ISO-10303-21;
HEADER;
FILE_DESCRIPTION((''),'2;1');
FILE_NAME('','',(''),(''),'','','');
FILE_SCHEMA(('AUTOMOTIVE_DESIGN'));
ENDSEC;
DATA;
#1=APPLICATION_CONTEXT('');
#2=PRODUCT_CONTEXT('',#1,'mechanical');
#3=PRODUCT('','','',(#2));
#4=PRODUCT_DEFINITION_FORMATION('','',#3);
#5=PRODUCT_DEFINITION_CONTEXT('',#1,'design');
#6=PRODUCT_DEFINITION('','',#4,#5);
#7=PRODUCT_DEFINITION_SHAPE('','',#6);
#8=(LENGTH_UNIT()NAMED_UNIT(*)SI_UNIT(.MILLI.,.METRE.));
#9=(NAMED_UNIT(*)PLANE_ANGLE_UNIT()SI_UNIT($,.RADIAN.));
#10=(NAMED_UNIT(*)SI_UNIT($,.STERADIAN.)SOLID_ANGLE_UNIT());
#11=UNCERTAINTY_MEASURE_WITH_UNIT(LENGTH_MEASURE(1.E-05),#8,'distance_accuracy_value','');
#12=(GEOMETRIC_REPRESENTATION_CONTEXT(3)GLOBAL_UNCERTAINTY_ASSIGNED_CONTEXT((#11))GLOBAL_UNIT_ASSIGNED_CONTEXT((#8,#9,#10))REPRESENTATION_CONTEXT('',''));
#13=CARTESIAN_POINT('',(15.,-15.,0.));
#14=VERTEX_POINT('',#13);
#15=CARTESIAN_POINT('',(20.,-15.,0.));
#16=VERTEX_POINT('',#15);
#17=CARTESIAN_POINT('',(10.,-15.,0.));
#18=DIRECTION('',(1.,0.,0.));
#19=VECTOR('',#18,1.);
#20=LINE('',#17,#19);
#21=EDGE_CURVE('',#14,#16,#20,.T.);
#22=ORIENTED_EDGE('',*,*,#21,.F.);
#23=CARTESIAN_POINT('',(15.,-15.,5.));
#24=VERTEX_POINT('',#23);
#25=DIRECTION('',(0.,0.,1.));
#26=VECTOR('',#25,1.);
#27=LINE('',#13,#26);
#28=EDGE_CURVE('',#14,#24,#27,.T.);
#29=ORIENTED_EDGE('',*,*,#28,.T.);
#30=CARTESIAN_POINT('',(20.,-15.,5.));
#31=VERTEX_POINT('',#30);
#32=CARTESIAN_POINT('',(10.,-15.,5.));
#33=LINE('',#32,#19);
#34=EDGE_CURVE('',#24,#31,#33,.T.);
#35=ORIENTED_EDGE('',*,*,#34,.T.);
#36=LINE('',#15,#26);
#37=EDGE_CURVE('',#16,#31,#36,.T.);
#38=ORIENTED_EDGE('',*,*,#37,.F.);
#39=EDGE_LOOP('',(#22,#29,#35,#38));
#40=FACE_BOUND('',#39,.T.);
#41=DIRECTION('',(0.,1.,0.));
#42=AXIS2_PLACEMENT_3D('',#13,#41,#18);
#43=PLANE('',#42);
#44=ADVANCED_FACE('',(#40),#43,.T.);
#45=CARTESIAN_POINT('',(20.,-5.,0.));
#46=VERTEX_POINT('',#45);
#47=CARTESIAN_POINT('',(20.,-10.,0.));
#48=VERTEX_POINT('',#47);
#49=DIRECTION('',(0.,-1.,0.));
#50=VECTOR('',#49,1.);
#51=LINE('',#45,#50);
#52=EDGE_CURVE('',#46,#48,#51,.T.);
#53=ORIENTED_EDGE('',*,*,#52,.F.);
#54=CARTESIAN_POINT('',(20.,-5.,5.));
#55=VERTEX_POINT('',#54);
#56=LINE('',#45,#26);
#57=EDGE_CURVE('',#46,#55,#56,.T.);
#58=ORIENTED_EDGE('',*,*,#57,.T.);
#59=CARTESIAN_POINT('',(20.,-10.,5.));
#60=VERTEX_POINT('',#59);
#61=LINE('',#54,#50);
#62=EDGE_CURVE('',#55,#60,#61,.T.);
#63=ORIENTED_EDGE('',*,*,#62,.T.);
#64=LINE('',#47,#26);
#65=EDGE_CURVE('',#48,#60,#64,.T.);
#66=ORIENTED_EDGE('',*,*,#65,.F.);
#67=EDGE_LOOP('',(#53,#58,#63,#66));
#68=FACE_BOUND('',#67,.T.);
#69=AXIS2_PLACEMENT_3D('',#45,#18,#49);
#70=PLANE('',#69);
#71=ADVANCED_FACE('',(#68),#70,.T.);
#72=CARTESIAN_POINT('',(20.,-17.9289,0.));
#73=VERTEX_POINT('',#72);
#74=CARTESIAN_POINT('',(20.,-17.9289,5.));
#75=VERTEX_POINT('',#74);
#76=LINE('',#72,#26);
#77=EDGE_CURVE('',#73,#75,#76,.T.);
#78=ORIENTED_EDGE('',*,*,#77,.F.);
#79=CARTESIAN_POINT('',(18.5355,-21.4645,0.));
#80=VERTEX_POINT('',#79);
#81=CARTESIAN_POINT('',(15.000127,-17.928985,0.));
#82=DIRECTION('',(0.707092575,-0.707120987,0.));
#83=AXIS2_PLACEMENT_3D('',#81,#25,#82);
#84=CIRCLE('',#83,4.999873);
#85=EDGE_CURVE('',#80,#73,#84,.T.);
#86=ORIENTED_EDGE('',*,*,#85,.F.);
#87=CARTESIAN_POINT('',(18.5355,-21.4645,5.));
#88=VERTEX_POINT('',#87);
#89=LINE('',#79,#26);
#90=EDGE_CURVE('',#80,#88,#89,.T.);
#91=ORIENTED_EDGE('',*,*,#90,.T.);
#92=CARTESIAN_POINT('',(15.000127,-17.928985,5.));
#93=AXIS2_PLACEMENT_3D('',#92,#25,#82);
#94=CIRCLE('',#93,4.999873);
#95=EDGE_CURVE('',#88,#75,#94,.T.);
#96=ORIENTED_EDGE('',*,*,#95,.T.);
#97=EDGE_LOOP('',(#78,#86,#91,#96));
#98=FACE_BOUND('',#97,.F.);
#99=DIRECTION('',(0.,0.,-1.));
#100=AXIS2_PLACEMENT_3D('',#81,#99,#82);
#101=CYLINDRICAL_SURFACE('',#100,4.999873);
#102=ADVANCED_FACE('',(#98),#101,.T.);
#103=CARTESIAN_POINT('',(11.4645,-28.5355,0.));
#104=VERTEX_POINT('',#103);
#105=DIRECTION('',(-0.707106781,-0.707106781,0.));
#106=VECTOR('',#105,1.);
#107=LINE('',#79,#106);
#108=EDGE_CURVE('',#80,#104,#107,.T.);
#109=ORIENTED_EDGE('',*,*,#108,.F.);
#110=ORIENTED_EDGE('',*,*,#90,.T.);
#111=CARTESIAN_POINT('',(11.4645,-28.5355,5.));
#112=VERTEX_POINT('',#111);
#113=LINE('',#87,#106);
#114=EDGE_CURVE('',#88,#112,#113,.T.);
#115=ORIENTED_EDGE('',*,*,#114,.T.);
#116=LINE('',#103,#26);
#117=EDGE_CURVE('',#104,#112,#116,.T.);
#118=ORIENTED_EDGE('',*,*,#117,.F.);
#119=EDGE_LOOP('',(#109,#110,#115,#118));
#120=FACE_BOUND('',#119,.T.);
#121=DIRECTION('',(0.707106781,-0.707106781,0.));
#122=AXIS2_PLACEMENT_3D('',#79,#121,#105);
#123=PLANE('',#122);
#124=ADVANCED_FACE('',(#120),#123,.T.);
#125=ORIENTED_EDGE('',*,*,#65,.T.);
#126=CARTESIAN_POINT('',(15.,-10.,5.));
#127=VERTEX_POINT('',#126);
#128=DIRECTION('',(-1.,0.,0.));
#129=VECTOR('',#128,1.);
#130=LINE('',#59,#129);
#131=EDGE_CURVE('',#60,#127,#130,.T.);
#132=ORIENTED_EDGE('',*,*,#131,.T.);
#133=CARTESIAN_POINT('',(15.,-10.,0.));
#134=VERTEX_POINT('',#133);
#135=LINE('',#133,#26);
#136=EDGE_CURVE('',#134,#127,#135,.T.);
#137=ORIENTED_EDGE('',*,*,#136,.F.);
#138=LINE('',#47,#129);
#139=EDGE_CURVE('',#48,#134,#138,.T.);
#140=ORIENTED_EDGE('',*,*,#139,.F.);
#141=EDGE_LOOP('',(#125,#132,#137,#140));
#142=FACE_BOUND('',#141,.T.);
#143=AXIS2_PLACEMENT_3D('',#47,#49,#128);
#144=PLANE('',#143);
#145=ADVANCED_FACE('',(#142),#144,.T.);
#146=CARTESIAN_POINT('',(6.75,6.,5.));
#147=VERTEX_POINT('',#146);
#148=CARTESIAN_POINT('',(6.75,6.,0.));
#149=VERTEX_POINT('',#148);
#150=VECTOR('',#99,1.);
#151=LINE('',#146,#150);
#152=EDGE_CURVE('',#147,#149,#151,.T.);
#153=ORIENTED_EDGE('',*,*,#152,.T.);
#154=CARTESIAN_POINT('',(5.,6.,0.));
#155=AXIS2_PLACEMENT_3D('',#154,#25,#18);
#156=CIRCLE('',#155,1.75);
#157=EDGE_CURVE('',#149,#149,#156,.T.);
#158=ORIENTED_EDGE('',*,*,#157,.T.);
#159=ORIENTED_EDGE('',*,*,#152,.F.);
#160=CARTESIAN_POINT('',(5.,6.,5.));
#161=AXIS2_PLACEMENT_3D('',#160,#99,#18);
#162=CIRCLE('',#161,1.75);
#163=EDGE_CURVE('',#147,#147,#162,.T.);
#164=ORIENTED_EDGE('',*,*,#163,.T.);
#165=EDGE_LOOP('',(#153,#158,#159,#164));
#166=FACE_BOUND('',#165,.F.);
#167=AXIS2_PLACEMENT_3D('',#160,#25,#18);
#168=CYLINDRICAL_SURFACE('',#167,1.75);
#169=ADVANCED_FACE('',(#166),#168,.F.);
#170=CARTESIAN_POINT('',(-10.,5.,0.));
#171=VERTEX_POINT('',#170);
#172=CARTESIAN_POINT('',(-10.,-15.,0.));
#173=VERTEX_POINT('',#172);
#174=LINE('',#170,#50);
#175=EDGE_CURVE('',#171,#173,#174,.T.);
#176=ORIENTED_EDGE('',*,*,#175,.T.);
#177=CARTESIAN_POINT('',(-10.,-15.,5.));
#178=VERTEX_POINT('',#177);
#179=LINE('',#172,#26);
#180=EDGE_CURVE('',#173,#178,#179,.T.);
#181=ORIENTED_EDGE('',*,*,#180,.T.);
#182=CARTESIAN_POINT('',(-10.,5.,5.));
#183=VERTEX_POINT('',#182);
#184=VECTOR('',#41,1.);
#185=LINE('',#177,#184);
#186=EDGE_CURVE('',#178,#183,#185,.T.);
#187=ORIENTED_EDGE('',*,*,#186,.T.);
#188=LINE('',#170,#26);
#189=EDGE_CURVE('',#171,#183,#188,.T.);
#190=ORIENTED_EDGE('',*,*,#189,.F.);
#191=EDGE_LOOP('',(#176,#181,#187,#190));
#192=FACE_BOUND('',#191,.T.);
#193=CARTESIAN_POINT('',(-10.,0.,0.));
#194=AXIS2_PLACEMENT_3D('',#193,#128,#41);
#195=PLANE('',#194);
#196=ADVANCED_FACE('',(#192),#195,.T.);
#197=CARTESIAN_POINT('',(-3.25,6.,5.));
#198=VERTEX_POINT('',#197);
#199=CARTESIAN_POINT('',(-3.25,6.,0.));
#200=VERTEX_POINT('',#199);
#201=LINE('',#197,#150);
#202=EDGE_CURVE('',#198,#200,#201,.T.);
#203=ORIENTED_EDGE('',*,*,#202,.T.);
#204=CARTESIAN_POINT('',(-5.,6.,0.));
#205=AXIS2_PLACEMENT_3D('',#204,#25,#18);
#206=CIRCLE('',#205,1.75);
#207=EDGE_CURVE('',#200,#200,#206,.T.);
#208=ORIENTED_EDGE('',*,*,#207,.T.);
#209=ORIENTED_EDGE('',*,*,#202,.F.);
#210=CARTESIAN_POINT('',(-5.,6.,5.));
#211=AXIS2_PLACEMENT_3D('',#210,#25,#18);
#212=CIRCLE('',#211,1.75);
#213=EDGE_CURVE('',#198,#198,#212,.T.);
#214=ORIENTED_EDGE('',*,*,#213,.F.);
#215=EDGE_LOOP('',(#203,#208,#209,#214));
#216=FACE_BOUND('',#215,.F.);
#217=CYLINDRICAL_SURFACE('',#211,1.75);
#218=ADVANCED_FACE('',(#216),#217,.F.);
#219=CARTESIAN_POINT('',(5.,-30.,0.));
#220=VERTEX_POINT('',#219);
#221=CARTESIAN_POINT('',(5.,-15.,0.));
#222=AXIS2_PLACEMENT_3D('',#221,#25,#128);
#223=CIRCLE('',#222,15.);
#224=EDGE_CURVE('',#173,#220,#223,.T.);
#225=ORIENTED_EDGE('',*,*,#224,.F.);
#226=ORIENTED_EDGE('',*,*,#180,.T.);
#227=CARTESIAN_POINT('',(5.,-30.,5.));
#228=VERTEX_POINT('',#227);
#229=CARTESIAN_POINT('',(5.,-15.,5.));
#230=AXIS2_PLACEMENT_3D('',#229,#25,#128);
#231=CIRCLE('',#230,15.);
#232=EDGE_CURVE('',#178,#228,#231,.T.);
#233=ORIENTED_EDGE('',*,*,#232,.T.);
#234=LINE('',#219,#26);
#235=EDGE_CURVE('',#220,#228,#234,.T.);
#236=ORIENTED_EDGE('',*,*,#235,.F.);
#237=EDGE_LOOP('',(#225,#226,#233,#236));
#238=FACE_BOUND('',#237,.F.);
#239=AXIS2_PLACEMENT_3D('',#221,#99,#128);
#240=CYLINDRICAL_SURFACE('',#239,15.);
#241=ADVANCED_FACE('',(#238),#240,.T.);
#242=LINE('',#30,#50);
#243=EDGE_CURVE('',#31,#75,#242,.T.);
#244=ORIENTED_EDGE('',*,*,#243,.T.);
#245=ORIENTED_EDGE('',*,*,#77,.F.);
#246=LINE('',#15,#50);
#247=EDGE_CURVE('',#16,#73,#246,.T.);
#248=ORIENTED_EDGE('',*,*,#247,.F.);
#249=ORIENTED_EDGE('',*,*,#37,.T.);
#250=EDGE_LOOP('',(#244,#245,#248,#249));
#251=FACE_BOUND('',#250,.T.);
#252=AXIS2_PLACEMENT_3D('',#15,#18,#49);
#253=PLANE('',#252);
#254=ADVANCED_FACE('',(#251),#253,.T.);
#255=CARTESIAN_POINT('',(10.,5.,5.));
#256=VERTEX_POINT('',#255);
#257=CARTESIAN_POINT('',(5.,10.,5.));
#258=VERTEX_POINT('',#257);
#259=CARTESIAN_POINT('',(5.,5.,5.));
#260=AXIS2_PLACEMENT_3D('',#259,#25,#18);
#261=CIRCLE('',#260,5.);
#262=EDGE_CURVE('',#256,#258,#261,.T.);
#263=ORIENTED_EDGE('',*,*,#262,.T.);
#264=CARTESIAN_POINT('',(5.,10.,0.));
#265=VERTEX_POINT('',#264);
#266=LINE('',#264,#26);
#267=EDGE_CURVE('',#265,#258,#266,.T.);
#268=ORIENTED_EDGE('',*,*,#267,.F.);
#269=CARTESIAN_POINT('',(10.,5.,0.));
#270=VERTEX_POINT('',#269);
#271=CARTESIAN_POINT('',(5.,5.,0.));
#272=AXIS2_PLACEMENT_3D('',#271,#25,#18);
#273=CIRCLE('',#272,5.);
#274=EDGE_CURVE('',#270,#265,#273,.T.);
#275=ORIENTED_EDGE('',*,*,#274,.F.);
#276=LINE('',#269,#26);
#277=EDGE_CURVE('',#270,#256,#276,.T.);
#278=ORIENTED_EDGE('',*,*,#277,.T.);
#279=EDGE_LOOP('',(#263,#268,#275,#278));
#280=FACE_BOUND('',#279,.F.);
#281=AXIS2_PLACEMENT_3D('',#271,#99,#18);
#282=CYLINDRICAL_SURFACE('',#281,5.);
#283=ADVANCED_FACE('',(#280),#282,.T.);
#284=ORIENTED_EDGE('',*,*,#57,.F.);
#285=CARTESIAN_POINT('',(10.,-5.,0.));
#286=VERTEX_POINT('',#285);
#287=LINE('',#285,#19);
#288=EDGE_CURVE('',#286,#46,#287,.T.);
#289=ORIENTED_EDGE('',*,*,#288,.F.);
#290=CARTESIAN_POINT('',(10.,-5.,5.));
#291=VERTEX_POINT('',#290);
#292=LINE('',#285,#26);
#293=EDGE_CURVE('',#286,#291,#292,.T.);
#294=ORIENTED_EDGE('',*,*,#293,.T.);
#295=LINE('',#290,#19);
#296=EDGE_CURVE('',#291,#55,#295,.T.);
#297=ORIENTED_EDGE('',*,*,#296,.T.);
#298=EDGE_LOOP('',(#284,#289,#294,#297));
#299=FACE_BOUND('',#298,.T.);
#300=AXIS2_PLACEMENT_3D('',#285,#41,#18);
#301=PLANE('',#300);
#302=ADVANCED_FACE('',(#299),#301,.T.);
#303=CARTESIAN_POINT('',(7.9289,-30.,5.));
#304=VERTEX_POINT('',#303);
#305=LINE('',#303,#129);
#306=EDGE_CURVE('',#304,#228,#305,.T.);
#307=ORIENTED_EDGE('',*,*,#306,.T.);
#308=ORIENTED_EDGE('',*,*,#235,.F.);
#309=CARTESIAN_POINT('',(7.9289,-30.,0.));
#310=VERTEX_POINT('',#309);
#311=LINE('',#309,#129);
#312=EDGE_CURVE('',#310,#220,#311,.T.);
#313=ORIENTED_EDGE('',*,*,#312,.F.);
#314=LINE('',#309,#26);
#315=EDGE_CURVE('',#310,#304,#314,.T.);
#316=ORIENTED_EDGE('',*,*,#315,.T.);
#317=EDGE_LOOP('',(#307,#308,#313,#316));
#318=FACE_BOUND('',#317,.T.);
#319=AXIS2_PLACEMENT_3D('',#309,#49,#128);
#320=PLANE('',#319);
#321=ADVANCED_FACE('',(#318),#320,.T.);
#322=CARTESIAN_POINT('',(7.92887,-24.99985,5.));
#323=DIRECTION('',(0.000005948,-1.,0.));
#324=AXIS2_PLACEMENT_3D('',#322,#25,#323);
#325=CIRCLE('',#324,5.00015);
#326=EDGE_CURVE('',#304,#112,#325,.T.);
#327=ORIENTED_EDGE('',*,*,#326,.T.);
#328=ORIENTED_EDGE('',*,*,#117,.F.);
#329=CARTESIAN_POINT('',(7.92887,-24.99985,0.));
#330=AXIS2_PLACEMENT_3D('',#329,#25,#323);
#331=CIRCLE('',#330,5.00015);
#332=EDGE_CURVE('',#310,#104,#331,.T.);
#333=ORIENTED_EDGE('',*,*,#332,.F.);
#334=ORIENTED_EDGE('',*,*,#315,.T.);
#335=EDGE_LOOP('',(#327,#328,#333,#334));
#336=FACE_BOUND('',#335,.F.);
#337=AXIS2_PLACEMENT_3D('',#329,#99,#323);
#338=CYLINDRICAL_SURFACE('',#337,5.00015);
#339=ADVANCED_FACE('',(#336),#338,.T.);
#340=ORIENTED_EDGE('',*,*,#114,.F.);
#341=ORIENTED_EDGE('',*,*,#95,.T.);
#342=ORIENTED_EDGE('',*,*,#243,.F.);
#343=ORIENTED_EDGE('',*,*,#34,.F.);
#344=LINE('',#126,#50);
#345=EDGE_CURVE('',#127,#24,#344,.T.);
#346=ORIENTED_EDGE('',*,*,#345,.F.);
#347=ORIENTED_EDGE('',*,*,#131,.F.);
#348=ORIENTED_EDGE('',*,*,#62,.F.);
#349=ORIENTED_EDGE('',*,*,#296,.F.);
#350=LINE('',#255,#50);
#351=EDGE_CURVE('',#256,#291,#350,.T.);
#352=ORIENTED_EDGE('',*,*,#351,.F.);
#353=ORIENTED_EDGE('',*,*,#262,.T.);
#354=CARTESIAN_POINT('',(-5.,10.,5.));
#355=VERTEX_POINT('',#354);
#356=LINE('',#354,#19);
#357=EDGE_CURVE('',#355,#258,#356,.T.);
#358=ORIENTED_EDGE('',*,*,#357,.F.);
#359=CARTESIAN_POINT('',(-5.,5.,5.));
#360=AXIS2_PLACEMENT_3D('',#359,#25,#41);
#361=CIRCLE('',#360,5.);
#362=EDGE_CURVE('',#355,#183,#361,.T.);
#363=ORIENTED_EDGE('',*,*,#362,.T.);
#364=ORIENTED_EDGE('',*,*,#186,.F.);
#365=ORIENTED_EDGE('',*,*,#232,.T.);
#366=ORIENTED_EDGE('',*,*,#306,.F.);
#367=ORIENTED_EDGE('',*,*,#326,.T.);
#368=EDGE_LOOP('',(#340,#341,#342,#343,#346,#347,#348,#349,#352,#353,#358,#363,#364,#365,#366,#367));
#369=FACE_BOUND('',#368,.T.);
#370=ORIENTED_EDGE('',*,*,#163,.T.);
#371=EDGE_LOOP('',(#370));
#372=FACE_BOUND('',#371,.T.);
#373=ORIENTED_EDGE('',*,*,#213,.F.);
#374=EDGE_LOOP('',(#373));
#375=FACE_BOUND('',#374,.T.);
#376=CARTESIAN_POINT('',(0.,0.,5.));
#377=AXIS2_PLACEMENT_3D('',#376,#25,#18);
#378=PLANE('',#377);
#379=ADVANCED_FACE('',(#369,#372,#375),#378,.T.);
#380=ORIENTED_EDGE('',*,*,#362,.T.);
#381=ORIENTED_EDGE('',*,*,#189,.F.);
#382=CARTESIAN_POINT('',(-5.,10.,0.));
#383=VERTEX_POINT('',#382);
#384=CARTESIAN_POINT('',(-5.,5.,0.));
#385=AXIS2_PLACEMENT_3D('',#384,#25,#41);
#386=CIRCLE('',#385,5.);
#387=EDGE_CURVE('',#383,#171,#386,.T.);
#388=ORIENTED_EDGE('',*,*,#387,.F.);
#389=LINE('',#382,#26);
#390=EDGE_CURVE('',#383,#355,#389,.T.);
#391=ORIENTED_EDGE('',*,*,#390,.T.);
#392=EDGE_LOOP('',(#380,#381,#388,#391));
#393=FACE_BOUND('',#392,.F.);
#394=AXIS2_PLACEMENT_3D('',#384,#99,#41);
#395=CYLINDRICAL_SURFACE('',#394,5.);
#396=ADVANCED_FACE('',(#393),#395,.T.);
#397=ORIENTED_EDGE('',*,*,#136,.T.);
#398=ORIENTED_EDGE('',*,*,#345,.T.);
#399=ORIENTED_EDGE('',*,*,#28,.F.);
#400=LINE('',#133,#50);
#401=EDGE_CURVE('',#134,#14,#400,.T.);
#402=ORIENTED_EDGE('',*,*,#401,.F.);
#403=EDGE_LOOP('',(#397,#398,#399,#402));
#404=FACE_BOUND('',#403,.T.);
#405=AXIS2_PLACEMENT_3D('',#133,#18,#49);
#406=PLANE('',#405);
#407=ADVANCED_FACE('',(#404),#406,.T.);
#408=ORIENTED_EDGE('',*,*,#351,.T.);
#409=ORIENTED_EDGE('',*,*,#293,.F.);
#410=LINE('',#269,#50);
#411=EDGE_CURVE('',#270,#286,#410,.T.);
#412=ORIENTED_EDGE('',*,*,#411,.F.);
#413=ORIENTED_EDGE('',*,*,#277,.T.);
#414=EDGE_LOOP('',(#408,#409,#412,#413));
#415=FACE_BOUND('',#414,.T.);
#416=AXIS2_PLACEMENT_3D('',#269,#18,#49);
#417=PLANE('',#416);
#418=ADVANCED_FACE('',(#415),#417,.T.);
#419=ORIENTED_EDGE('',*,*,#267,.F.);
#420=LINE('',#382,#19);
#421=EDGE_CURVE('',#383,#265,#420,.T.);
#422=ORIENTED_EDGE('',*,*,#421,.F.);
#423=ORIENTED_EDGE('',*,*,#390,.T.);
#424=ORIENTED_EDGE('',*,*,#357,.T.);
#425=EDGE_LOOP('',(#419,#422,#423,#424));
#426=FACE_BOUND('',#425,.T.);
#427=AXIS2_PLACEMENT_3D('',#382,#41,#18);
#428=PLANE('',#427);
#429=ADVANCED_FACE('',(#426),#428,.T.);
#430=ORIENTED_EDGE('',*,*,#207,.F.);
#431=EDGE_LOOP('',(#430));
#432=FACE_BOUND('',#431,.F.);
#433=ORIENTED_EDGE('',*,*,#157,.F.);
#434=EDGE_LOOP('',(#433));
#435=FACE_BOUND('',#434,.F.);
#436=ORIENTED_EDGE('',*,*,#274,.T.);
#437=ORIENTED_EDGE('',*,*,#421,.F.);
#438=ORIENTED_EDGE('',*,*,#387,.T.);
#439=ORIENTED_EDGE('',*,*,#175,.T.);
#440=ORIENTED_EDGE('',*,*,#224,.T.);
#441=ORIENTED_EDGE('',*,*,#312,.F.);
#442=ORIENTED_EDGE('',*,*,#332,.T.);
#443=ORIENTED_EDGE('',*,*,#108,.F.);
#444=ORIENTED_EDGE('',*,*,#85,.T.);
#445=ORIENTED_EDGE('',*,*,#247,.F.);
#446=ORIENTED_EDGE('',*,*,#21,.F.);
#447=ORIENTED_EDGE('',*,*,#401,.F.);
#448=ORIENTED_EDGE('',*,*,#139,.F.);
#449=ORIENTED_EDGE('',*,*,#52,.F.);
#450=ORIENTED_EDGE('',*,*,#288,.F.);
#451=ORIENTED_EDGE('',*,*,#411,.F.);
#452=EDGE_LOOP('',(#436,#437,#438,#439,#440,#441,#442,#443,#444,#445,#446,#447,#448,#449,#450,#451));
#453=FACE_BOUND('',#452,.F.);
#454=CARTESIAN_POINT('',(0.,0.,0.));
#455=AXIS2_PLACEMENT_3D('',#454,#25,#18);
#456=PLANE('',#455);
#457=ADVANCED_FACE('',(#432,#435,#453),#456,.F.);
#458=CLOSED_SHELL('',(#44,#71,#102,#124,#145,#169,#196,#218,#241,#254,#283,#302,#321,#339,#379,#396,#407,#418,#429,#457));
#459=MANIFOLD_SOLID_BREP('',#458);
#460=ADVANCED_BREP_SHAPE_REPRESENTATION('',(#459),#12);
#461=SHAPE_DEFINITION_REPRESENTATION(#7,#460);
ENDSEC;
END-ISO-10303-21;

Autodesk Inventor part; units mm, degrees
ref_plane "YZ Plane" through (0, 0, 0) normal (1, 0, 0) x (0, 1, 0)
ref_plane "XZ Plane" through (0, 0, 0) normal (0, 1, 0) x (-1, 0, 0)
ref_plane "XY Plane" through (0, 0, 0) normal (0, 0, 1) x (1, 0, 0)
sketch "Sketch1" plane through (0, 0, 0) normal (0, 0, 1) x (1, 0, 0)
  line L0 (0, 0) -> (-10, 0)
  line L1 (-10, 0) -> (-10, 5)
  line L2 (-5, 10) -> (5, 10)
  line L3 (10, 5) -> (10, -5)
  line L4 (10, -5) -> (20, -5)
  line L5 (20, -5) -> (20, -10)
  line L6 (20, -10) -> (10, -10)
  line L7 (10, -10) -> (10, -15)
  line L8 (10, -15) -> (20, -15)
  line L9 (20, -15) -> (20, -17.9289)
  line L10 (18.5355, -21.4645) -> (11.4645, -28.5355)
  line L11 (7.9289, -30) -> (5, -30)
  line L12 (-10, -15) -> (-10, 0)
  arc A0 (-5, 10) -> (-10, 5) centre (-5, 5) ccw
  arc A1 (10, 5) -> (5, 10) centre (5, 5) ccw
  arc A2 (-10, -15) -> (5, -30) centre (5, -15) ccw
  arc A3 (7.9289, -30) -> (11.4645, -28.5355) centre (7.9289, -25) ccw
  arc A4 (18.5355, -21.4645) -> (20, -17.9289) centre (15, -17.9289) ccw
  line L13 (10, -10) -> (15, -10)
  line L14 (15, -10) -> (15, -15)
  point P0 (-10, 10)
  point P1 (10, 10)
  point P2 (20, -20)
  point P3 (10, -30)
  dimension "d0" = 10
  dimension "d1" = 10
  dimension "d2" = 20
  dimension "d3" = 15
  dimension "d4" = 10
  dimension "d5" = 5
  dimension "d6" = 5
  dimension "d7" = 5
  dimension "d8" = 135
  dimension "d9" = 5
  dimension "d10" = 15
  dimension "d11" = 5
  dimension "d21" = 5
extrude "Extrusion1" add sketch "Sketch1" along normal blind 5
sketch "Sketch2" plane through (0, 0, 5) normal (0, 0, 1) x (1, 0, 0)
  line L0 (0, 0) -> (0, 6)
  line L1 (0, 6) -> (5, 6)
  line L2 (5, 6) -> (-5, 6)
  circle A0 centre (-5, 6) radius 1.75
  circle A1 centre (5, 6) radius 1.75
  dimension "d14" = 6
  dimension "d15" = 5
  dimension "d16" = 10
  dimension "d17" = 3.5
  dimension "d18" = 3.5
extrude "Extrusion2" cut sketch "Sketch2" against normal blind 5
properties part number "holdBar"
